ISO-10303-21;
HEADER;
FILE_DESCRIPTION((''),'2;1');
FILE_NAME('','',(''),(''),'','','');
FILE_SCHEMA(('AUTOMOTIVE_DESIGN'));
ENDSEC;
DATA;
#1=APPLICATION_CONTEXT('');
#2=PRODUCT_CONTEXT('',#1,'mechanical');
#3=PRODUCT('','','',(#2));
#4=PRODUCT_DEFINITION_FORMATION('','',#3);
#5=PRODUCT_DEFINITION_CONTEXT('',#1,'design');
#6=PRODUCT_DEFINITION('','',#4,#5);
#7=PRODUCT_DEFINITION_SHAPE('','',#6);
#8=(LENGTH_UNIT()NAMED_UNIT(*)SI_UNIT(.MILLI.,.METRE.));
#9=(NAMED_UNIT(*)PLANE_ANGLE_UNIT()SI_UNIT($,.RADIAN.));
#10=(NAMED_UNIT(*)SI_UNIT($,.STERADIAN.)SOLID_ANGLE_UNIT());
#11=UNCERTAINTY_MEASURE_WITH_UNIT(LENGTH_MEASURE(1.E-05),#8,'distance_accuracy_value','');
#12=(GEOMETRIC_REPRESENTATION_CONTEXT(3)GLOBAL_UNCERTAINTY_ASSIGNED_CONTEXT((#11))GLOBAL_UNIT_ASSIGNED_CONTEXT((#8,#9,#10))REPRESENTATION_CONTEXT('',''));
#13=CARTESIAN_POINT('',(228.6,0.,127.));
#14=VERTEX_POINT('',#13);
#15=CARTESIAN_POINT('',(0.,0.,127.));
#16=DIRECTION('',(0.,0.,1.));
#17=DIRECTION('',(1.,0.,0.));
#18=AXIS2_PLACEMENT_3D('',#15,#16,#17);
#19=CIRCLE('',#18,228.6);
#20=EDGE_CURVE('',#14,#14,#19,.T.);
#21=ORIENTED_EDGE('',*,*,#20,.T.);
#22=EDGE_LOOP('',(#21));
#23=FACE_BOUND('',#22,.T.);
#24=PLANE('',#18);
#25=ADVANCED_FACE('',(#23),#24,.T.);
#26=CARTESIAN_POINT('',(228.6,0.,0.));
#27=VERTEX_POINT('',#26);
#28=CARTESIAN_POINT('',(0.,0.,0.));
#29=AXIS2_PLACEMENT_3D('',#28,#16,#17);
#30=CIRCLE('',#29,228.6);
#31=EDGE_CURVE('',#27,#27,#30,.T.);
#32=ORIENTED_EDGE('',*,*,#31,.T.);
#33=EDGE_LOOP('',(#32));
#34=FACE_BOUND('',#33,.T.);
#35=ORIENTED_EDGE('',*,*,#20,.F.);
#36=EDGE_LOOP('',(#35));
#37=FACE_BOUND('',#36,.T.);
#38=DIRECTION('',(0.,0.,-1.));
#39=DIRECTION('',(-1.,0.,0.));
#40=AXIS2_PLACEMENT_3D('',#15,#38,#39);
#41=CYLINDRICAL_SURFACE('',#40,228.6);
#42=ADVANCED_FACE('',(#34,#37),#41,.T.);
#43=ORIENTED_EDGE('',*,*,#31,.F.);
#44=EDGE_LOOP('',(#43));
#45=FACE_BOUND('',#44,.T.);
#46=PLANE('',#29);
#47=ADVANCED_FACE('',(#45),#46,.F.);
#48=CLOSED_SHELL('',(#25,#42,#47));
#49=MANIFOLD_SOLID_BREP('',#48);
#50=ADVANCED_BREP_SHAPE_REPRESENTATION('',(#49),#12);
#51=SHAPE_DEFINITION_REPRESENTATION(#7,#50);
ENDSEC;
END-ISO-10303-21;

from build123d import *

# Parameters (mm, degrees)
SKETCH1_R           = 228.6
BOSS_EXTRUDE1_DEPTH = 127


with BuildPart() as part:
    # Sketch1 → Boss-Extrude1 (new body)
    with BuildSketch(Plane.XY):
        Circle(SKETCH1_R)
    extrude(amount=BOSS_EXTRUDE1_DEPTH)


solid = part.part
